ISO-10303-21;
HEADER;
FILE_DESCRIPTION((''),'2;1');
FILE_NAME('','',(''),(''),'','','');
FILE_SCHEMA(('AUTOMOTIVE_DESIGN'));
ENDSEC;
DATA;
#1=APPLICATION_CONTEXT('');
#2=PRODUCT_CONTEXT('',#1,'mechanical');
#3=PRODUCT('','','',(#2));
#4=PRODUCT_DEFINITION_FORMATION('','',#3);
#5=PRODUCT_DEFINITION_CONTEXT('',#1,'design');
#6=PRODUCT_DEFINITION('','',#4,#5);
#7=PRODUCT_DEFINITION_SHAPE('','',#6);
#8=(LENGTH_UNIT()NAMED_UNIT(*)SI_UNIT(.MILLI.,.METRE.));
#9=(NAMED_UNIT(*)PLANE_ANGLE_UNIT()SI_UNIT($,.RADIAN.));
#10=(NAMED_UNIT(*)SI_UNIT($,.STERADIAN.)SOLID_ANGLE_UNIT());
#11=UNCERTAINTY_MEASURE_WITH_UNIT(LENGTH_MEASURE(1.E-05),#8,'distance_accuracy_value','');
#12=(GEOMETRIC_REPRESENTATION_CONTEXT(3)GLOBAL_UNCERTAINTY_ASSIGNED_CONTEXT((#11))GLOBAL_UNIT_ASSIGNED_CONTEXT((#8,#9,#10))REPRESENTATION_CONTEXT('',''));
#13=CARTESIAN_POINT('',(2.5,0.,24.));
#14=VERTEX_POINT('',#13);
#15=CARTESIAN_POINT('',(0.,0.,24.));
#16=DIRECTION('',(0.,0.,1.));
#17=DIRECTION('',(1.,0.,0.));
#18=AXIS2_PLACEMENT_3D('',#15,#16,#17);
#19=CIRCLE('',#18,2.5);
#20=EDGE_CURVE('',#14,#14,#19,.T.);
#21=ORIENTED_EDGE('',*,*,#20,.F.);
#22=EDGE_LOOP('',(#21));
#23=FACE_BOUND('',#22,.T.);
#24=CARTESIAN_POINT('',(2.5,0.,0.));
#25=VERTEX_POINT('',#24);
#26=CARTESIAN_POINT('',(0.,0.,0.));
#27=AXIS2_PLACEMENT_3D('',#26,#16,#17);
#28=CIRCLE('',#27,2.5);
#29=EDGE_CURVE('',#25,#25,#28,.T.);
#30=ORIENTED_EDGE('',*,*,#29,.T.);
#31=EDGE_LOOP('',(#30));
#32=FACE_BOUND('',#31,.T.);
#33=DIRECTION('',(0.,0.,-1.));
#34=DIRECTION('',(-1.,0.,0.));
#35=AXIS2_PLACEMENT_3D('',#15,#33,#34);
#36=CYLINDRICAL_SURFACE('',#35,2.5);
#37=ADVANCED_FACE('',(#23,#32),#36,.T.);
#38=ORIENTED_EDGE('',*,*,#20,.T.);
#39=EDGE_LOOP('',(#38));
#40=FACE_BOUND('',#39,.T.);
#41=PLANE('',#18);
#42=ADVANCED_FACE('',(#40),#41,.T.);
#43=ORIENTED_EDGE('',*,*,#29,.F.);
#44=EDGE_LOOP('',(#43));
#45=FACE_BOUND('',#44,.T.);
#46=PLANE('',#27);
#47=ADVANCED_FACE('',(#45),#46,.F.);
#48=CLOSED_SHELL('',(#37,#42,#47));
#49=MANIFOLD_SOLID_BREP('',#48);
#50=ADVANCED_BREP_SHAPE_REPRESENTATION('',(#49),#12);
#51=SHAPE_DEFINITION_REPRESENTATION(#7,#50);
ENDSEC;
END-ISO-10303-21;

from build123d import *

# Parameters (mm, degrees)
SKETCH1_R           = 2.5
BOSS_EXTRUDE1_DEPTH = 24


with BuildPart() as part:
    # Sketch1 → Boss-Extrude1 (new body)
    with BuildSketch(Plane.XY):
        Circle(SKETCH1_R)
    extrude(amount=BOSS_EXTRUDE1_DEPTH)


solid = part.part
